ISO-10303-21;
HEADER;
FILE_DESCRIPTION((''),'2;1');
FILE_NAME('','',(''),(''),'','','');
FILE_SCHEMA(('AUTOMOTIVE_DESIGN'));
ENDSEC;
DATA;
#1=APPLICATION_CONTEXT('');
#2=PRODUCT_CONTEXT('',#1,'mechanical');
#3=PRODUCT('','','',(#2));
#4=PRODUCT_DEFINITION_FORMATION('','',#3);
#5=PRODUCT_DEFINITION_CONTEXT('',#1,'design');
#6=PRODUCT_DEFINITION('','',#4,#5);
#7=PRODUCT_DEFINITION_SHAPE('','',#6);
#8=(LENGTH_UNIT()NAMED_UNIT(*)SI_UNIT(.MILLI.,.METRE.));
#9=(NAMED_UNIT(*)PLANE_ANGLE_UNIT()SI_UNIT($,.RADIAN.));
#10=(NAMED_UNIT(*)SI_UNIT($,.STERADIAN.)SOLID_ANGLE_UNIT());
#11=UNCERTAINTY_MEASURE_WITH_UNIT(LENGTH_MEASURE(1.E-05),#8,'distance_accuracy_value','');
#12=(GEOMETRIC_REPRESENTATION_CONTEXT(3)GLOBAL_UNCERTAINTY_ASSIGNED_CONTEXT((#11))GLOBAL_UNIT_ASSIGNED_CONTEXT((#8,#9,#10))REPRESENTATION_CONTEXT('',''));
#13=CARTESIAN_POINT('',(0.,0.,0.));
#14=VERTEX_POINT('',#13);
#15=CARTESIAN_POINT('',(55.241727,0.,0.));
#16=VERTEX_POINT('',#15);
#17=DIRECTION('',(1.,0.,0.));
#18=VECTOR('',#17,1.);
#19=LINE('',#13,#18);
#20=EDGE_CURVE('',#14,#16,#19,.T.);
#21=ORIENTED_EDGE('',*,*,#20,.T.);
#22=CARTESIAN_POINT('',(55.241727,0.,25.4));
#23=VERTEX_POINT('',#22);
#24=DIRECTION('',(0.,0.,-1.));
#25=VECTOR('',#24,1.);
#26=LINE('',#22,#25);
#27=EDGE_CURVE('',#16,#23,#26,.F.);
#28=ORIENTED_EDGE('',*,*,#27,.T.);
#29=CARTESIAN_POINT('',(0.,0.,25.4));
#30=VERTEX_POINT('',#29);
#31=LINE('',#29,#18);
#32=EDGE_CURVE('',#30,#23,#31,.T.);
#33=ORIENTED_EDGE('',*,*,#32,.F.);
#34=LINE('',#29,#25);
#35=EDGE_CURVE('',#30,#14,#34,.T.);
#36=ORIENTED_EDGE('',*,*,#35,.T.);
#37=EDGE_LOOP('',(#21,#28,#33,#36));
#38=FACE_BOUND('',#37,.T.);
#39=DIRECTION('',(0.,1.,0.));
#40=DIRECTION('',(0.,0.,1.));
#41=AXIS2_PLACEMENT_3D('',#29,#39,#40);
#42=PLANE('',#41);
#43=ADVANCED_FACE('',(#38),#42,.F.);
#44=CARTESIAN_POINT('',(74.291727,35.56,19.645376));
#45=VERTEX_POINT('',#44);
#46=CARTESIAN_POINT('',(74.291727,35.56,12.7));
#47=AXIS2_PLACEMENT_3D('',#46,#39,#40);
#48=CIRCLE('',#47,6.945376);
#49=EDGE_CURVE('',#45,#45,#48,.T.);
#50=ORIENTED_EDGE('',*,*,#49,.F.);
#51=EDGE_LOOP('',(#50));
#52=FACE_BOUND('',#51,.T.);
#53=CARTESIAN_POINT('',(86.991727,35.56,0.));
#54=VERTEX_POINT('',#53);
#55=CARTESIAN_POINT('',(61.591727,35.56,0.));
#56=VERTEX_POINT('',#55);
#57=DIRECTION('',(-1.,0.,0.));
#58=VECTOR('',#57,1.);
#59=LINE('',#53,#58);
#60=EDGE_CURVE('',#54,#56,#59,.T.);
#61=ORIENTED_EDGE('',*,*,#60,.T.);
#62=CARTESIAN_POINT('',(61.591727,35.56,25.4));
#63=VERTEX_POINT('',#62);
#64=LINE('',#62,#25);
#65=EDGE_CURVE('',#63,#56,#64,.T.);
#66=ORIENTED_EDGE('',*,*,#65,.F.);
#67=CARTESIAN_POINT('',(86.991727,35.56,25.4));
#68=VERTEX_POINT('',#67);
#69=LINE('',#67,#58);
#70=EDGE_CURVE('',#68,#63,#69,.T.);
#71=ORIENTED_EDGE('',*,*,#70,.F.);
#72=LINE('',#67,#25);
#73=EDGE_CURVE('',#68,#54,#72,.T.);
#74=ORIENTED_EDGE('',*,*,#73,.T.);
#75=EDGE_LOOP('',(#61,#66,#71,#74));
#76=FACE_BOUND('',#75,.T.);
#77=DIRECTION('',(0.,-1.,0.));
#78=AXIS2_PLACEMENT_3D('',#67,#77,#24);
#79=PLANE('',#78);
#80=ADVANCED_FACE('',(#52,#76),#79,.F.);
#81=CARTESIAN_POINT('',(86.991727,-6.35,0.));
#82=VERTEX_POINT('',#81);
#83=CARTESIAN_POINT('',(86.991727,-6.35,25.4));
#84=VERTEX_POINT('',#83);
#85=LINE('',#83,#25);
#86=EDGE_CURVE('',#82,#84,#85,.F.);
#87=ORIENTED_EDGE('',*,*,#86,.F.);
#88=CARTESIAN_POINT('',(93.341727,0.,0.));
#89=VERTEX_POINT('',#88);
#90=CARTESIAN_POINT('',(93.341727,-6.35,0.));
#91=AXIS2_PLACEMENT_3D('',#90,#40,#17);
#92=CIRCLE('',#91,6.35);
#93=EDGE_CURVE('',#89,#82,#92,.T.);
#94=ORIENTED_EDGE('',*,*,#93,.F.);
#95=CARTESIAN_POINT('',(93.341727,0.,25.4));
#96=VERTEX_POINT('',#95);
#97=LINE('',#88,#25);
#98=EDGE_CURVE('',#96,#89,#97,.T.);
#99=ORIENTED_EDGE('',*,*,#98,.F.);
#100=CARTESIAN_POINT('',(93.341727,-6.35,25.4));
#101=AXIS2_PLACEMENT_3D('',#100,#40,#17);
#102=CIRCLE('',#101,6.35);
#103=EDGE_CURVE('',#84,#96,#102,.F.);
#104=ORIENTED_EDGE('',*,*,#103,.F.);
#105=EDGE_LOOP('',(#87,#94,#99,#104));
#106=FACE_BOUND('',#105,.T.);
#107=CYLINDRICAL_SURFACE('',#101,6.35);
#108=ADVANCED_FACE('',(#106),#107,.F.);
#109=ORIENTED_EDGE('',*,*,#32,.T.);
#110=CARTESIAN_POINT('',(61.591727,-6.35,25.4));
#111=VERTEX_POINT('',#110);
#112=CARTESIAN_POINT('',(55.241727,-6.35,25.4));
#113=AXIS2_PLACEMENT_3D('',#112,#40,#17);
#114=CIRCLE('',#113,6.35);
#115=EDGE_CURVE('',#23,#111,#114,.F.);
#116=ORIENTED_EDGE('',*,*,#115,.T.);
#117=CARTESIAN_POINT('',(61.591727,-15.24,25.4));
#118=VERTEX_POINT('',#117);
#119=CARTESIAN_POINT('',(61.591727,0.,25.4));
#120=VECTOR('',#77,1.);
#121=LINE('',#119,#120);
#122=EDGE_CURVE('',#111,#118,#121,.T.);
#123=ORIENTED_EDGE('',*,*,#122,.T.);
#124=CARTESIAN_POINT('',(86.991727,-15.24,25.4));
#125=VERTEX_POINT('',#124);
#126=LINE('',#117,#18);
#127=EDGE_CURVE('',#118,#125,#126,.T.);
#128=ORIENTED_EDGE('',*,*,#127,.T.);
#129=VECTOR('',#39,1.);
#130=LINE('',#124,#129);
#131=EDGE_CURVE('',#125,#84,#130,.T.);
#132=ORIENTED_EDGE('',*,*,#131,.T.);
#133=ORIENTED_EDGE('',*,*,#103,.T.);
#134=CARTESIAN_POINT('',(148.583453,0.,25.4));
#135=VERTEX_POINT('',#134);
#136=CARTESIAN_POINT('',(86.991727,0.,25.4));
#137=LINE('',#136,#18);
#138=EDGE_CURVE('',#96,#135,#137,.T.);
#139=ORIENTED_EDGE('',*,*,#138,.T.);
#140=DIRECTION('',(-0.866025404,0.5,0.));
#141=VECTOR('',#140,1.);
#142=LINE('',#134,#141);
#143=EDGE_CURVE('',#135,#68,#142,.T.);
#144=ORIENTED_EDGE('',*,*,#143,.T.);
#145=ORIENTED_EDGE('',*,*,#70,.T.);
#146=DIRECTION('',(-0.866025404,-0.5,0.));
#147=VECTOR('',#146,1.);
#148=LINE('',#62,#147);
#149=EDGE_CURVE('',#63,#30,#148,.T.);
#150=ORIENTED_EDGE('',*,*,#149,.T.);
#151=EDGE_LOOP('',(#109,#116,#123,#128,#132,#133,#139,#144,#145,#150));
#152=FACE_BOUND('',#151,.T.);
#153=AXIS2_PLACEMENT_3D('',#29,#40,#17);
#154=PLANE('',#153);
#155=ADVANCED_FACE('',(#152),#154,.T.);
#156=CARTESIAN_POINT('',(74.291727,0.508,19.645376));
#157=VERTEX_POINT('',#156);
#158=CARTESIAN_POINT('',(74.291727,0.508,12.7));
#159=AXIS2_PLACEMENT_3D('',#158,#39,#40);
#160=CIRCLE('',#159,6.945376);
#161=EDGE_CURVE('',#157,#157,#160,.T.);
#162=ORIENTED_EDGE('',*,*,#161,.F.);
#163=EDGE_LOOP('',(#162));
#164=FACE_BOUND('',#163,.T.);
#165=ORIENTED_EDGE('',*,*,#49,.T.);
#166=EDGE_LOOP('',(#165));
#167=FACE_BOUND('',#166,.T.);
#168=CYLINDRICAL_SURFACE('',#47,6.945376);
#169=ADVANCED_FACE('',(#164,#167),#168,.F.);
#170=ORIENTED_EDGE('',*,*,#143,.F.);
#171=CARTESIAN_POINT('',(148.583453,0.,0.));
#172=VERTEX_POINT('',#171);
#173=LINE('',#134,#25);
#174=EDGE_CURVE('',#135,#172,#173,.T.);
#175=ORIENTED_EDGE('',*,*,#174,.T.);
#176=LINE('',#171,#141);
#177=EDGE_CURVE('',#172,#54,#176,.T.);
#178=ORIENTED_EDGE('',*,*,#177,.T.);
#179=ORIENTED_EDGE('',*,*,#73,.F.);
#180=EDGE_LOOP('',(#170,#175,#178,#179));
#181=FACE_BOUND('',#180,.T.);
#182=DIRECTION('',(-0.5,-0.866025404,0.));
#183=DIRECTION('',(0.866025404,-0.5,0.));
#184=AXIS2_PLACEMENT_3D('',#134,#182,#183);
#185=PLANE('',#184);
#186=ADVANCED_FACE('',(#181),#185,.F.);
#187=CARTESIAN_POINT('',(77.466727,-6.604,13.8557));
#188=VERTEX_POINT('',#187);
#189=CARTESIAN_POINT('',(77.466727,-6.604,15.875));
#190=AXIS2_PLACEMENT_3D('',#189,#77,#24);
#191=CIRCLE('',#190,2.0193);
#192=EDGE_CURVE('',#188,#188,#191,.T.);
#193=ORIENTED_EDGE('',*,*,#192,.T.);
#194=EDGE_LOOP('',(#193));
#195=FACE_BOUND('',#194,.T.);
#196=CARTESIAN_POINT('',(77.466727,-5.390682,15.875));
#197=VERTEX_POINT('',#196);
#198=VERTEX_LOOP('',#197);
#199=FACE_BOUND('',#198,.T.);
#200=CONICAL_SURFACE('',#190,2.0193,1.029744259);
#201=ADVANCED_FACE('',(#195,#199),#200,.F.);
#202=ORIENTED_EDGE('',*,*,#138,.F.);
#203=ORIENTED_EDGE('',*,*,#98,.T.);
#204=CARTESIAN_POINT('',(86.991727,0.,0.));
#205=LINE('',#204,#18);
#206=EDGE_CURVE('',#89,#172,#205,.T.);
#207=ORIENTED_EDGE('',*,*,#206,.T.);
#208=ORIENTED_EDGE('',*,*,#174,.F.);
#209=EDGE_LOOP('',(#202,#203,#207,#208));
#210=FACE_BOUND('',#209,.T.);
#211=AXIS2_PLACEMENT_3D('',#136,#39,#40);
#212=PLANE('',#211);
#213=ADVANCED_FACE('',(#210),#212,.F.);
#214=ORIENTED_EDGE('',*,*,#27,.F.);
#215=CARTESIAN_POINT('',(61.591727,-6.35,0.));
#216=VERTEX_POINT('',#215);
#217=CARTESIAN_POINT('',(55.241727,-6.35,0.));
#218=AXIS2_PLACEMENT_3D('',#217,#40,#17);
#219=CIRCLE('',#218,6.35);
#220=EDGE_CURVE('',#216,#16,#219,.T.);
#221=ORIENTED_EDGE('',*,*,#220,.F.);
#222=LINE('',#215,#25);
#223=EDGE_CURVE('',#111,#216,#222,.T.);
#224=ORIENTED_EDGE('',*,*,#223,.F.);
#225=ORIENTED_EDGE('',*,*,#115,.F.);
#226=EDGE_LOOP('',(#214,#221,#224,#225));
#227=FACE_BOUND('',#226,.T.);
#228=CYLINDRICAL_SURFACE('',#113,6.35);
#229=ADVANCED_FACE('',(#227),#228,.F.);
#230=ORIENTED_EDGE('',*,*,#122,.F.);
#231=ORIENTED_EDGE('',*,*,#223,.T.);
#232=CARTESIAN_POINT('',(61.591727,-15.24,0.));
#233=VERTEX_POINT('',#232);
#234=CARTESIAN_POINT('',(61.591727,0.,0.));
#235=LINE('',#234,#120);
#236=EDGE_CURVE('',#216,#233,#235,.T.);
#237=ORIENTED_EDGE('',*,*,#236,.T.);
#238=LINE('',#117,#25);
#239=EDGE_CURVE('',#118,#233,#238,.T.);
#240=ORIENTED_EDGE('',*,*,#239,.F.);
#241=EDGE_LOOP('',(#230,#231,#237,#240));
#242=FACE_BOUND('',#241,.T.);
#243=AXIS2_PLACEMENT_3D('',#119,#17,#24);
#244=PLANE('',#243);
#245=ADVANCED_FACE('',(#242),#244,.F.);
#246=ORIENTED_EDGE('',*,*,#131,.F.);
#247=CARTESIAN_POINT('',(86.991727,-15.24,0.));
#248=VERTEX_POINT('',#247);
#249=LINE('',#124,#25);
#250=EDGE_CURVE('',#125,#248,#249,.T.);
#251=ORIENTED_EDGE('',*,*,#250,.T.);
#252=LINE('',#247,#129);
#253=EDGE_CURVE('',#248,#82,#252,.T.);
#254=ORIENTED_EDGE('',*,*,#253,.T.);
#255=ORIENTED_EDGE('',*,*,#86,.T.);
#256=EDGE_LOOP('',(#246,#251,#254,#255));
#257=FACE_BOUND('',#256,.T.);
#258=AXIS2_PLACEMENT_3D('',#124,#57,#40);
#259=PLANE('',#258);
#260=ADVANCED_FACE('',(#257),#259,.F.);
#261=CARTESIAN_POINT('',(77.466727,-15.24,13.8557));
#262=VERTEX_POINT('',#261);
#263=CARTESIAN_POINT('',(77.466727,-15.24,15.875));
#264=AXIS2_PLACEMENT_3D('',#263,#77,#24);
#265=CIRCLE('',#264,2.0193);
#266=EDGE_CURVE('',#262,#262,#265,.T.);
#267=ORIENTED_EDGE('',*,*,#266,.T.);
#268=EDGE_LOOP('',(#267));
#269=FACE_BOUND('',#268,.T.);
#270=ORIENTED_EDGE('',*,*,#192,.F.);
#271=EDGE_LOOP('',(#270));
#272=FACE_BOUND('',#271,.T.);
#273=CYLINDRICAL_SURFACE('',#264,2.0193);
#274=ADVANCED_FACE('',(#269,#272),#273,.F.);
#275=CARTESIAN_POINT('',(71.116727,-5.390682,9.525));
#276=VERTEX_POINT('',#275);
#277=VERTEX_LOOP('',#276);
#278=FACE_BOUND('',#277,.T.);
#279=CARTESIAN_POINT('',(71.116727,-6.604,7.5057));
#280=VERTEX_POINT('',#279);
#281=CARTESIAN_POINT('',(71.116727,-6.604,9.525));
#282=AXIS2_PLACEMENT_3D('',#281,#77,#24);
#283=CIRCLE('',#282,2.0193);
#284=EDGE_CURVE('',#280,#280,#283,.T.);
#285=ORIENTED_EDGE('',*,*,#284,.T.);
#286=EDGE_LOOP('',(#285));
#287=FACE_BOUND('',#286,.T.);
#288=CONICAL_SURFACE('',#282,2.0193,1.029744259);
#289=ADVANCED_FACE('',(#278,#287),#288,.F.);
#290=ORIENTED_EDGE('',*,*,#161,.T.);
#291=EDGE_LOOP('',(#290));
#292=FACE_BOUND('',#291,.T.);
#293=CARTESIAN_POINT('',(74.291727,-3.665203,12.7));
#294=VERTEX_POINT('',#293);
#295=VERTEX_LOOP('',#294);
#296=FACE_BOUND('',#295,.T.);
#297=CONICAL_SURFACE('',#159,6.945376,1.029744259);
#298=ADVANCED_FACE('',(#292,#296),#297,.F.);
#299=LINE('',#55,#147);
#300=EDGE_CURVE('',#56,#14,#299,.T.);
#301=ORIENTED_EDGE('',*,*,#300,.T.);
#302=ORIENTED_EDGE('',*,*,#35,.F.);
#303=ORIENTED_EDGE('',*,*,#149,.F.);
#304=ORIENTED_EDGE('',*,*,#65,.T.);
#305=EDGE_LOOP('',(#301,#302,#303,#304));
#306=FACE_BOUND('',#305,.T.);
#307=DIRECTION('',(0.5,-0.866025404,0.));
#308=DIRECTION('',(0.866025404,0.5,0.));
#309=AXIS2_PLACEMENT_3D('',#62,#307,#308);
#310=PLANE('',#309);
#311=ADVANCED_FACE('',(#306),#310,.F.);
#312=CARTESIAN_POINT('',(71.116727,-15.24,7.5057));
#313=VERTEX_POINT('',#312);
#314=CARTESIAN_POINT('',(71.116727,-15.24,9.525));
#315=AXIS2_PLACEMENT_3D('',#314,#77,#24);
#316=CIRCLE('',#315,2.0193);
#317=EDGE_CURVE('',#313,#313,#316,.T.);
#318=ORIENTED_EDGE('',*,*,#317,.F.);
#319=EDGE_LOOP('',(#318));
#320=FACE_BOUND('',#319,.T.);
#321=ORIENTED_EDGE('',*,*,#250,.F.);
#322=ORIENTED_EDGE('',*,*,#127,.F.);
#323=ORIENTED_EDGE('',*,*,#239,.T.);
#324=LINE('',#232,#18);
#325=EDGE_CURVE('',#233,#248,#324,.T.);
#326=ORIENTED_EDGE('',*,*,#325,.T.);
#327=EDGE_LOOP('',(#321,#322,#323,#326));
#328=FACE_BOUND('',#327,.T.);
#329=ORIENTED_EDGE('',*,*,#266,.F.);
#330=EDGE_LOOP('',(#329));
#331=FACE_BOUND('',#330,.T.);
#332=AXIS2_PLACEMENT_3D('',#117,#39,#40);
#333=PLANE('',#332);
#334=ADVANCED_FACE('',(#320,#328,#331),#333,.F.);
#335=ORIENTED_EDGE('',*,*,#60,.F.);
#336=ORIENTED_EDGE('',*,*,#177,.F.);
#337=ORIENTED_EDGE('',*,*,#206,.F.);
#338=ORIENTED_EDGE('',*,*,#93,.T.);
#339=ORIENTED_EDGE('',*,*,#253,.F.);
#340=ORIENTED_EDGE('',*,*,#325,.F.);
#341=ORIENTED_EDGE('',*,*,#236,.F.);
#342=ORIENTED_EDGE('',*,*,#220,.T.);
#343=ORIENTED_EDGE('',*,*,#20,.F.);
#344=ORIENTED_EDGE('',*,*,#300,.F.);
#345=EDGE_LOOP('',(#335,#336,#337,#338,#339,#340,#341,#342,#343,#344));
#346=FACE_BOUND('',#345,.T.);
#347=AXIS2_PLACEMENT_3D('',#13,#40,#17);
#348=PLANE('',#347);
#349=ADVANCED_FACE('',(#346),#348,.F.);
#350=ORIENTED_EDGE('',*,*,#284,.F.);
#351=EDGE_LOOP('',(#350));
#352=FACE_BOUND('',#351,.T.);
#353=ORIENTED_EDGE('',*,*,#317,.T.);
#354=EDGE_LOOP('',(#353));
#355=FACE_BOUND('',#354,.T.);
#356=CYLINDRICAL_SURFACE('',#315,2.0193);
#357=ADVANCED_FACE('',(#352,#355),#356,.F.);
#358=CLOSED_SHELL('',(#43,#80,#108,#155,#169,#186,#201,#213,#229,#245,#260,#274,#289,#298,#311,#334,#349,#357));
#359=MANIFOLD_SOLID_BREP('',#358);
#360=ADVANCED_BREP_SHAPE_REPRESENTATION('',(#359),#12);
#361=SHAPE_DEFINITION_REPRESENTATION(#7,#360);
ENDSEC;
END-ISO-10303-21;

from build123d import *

# Parameters (mm, degrees)
BOSS_EXTRUDE1_DEPTH                  = 25.4
F_35_64_0_54688_DIAMETER_HOLE1_D     = 13.890752
F_35_64_0_54688_DIAMETER_HOLE1_DEPTH = 35.052
F_35_64_0_54688_DIAMETER_HOLE1_TIP   = 4.173202923
F_10_32_TAPPED_HOLE1_D               = 4.0386
F_10_32_TAPPED_HOLE1_DEPTH           = 8.636
F_10_32_TAPPED_HOLE1_TIP             = 1.213317848
FILLET1_R                            = 6.35


with BuildPart() as part:
    # Sketch1 → Boss-Extrude1 (new body)
    with BuildSketch(Plane.XY):
        Polygon((0, 0), (61.591726717, 0), (61.591726717, -15.24), (86.991726717, -15.24), (86.991726717, 0), (148.583453434, 0), (86.991726717, 35.56), (61.591726717, 35.56), align=None)
    extrude(amount=BOSS_EXTRUDE1_DEPTH)

    # 35/64 (0.54688) Diameter Hole1
    with Locations(Plane(origin=(0, 35.56, 0), x_dir=(1, 0, 0), z_dir=(0, 1, 0))):
        with Locations((74.291726717, -12.7)):
            Hole(F_35_64_0_54688_DIAMETER_HOLE1_D / 2, depth=F_35_64_0_54688_DIAMETER_HOLE1_DEPTH)
            with Locations((0, 0, -(F_35_64_0_54688_DIAMETER_HOLE1_DEPTH + F_35_64_0_54688_DIAMETER_HOLE1_TIP / 2))):  # 118° drill point
                Cone(0, F_35_64_0_54688_DIAMETER_HOLE1_D / 2, F_35_64_0_54688_DIAMETER_HOLE1_TIP, mode=Mode.SUBTRACT)

    # #10-32 Tapped Hole1
    with Locations(Plane(origin=(0, -15.24, 0), x_dir=(-1, 0, 0), z_dir=(0, -1, 0))):
        with Locations((-77.466726717, -15.875), (-71.116726717, -9.525)):
            Hole(F_10_32_TAPPED_HOLE1_D / 2, depth=F_10_32_TAPPED_HOLE1_DEPTH)
            with Locations((0, 0, -(F_10_32_TAPPED_HOLE1_DEPTH + F_10_32_TAPPED_HOLE1_TIP / 2))):  # 118° drill point
                Cone(0, F_10_32_TAPPED_HOLE1_D / 2, F_10_32_TAPPED_HOLE1_TIP, mode=Mode.SUBTRACT)

    # Fillet1
    fillet1_edges = [part.edges().sort_by_distance(p)[0] for p in [
        (86.991726717, 0, 12.7),
        (61.591726717, 0, 12.7),
    ]]
    fillet(fillet1_edges, radius=FILLET1_R)


solid = part.part
